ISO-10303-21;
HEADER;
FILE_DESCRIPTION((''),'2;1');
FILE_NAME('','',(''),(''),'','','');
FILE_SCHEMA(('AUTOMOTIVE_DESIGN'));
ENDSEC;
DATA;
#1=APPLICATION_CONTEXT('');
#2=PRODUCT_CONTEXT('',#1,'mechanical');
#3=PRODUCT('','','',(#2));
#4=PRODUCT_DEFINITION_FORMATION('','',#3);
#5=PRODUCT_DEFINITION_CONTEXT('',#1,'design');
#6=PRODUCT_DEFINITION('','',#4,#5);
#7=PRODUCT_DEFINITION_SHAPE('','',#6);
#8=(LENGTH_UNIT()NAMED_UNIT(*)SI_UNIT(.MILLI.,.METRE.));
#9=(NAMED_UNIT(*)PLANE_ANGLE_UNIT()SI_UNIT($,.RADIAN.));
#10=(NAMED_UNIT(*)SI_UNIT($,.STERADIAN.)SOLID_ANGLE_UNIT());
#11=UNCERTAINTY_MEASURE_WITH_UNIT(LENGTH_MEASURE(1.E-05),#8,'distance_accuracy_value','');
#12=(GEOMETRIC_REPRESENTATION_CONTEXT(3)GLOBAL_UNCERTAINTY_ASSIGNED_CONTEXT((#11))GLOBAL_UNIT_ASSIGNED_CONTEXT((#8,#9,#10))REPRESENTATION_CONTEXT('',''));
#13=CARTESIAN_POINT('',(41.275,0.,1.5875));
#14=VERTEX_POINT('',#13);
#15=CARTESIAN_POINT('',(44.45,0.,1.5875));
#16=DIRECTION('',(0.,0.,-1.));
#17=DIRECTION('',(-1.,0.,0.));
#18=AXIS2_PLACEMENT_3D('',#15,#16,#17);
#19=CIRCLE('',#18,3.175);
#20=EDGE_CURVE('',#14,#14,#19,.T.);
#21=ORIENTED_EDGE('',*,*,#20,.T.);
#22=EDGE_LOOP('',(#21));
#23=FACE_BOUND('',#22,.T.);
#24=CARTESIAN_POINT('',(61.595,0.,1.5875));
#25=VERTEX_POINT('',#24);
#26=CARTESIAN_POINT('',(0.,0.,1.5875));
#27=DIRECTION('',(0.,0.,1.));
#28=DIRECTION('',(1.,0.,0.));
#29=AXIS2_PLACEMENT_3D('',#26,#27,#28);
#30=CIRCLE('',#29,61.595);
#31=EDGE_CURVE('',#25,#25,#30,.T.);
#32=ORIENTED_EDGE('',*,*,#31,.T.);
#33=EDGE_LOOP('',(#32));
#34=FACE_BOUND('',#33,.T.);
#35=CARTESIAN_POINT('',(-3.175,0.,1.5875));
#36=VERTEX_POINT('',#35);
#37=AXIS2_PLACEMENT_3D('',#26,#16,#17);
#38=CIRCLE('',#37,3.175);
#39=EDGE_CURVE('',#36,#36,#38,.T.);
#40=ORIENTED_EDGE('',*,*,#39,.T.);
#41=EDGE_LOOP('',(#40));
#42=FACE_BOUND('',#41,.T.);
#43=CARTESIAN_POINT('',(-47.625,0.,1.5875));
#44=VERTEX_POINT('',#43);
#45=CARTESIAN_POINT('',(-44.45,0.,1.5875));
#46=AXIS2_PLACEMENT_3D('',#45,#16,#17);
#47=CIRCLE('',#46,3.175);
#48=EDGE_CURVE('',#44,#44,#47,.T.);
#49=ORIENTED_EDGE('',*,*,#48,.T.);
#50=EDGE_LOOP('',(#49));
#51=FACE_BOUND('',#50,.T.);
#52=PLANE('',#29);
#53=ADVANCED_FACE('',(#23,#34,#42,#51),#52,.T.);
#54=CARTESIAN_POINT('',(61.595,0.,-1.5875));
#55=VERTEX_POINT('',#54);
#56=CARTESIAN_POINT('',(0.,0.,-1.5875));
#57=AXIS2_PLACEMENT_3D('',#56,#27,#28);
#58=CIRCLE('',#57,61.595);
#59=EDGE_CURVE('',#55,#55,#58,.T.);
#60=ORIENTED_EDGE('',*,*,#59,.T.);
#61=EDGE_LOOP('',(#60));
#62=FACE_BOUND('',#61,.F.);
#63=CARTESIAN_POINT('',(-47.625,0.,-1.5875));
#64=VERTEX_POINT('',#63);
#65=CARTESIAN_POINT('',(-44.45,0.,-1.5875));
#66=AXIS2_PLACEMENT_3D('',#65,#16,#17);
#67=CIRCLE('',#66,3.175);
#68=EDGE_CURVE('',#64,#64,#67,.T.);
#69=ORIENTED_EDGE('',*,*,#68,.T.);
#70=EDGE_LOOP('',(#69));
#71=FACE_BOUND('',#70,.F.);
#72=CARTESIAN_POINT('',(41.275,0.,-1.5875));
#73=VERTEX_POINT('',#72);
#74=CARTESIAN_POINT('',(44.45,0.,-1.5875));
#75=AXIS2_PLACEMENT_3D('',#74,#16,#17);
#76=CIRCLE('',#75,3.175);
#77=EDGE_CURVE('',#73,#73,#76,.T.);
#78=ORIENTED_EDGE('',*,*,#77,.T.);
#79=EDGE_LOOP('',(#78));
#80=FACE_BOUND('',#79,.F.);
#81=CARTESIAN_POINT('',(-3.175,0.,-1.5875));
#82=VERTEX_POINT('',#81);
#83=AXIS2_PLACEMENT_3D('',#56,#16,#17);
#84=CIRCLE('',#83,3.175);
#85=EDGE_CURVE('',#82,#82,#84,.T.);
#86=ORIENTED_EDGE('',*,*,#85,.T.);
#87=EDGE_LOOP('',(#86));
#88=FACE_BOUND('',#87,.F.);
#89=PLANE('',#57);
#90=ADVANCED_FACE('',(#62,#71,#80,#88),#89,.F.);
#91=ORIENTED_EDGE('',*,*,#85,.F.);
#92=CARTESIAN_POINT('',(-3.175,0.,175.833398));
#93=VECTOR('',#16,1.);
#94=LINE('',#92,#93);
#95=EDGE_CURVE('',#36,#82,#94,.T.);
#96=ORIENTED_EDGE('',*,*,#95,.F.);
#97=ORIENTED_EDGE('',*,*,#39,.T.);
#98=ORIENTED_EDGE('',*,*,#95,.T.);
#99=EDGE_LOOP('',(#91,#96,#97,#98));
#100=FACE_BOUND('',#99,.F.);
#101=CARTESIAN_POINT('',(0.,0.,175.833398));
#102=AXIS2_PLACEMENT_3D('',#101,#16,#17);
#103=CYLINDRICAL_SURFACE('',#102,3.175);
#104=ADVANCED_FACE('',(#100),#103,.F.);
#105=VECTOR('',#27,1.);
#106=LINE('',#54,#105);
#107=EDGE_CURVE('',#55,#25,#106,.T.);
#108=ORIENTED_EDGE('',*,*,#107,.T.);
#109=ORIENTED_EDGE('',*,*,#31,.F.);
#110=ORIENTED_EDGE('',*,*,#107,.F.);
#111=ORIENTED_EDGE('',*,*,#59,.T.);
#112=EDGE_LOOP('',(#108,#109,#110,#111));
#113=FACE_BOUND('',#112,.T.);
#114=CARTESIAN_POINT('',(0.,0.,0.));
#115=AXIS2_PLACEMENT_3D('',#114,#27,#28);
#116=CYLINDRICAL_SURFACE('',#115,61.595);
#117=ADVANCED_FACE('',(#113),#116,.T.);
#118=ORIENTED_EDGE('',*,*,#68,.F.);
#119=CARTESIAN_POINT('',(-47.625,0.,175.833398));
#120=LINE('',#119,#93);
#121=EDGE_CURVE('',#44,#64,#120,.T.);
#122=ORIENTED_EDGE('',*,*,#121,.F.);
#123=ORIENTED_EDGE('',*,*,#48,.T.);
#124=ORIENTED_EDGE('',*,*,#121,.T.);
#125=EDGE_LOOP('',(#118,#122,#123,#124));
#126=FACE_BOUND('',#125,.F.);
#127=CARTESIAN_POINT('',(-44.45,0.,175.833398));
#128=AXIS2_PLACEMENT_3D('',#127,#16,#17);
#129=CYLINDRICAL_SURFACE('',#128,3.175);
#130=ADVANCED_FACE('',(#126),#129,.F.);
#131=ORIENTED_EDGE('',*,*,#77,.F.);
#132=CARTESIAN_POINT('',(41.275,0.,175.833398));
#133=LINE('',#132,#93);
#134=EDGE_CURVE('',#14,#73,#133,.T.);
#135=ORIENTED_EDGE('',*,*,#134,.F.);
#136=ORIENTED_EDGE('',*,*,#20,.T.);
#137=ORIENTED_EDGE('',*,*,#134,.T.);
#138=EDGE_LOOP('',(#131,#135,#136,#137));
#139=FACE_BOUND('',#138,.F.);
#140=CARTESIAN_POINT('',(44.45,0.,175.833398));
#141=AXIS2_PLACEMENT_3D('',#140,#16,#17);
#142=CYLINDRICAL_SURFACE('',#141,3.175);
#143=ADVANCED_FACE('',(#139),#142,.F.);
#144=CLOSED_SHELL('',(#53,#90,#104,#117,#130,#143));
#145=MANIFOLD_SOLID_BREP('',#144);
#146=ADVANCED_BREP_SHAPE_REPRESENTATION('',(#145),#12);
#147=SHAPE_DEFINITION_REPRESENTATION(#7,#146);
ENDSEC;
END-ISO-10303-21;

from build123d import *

# Parameters (mm, degrees)
SKETCH1_R                   = 61.595
BOSS_EXTRUDE1_DEPTH         = 1.5875
F_1_4_0_25_DIAMETER_HOLE1_D = 6.35


with BuildPart() as part:
    # Sketch1 → Boss-Extrude1 (new body, symmetric)
    with BuildSketch(Plane.XY):
        Circle(SKETCH1_R)
    extrude(amount=BOSS_EXTRUDE1_DEPTH, both=True)

    # 1/4 (0.25) Diameter Hole1 (through all)
    with Locations(Plane.XY.offset(1.5875)):
        with Locations((-44.45, 0), (0, 0), (44.45, 0)):
            Hole(F_1_4_0_25_DIAMETER_HOLE1_D / 2)


solid = part.part
